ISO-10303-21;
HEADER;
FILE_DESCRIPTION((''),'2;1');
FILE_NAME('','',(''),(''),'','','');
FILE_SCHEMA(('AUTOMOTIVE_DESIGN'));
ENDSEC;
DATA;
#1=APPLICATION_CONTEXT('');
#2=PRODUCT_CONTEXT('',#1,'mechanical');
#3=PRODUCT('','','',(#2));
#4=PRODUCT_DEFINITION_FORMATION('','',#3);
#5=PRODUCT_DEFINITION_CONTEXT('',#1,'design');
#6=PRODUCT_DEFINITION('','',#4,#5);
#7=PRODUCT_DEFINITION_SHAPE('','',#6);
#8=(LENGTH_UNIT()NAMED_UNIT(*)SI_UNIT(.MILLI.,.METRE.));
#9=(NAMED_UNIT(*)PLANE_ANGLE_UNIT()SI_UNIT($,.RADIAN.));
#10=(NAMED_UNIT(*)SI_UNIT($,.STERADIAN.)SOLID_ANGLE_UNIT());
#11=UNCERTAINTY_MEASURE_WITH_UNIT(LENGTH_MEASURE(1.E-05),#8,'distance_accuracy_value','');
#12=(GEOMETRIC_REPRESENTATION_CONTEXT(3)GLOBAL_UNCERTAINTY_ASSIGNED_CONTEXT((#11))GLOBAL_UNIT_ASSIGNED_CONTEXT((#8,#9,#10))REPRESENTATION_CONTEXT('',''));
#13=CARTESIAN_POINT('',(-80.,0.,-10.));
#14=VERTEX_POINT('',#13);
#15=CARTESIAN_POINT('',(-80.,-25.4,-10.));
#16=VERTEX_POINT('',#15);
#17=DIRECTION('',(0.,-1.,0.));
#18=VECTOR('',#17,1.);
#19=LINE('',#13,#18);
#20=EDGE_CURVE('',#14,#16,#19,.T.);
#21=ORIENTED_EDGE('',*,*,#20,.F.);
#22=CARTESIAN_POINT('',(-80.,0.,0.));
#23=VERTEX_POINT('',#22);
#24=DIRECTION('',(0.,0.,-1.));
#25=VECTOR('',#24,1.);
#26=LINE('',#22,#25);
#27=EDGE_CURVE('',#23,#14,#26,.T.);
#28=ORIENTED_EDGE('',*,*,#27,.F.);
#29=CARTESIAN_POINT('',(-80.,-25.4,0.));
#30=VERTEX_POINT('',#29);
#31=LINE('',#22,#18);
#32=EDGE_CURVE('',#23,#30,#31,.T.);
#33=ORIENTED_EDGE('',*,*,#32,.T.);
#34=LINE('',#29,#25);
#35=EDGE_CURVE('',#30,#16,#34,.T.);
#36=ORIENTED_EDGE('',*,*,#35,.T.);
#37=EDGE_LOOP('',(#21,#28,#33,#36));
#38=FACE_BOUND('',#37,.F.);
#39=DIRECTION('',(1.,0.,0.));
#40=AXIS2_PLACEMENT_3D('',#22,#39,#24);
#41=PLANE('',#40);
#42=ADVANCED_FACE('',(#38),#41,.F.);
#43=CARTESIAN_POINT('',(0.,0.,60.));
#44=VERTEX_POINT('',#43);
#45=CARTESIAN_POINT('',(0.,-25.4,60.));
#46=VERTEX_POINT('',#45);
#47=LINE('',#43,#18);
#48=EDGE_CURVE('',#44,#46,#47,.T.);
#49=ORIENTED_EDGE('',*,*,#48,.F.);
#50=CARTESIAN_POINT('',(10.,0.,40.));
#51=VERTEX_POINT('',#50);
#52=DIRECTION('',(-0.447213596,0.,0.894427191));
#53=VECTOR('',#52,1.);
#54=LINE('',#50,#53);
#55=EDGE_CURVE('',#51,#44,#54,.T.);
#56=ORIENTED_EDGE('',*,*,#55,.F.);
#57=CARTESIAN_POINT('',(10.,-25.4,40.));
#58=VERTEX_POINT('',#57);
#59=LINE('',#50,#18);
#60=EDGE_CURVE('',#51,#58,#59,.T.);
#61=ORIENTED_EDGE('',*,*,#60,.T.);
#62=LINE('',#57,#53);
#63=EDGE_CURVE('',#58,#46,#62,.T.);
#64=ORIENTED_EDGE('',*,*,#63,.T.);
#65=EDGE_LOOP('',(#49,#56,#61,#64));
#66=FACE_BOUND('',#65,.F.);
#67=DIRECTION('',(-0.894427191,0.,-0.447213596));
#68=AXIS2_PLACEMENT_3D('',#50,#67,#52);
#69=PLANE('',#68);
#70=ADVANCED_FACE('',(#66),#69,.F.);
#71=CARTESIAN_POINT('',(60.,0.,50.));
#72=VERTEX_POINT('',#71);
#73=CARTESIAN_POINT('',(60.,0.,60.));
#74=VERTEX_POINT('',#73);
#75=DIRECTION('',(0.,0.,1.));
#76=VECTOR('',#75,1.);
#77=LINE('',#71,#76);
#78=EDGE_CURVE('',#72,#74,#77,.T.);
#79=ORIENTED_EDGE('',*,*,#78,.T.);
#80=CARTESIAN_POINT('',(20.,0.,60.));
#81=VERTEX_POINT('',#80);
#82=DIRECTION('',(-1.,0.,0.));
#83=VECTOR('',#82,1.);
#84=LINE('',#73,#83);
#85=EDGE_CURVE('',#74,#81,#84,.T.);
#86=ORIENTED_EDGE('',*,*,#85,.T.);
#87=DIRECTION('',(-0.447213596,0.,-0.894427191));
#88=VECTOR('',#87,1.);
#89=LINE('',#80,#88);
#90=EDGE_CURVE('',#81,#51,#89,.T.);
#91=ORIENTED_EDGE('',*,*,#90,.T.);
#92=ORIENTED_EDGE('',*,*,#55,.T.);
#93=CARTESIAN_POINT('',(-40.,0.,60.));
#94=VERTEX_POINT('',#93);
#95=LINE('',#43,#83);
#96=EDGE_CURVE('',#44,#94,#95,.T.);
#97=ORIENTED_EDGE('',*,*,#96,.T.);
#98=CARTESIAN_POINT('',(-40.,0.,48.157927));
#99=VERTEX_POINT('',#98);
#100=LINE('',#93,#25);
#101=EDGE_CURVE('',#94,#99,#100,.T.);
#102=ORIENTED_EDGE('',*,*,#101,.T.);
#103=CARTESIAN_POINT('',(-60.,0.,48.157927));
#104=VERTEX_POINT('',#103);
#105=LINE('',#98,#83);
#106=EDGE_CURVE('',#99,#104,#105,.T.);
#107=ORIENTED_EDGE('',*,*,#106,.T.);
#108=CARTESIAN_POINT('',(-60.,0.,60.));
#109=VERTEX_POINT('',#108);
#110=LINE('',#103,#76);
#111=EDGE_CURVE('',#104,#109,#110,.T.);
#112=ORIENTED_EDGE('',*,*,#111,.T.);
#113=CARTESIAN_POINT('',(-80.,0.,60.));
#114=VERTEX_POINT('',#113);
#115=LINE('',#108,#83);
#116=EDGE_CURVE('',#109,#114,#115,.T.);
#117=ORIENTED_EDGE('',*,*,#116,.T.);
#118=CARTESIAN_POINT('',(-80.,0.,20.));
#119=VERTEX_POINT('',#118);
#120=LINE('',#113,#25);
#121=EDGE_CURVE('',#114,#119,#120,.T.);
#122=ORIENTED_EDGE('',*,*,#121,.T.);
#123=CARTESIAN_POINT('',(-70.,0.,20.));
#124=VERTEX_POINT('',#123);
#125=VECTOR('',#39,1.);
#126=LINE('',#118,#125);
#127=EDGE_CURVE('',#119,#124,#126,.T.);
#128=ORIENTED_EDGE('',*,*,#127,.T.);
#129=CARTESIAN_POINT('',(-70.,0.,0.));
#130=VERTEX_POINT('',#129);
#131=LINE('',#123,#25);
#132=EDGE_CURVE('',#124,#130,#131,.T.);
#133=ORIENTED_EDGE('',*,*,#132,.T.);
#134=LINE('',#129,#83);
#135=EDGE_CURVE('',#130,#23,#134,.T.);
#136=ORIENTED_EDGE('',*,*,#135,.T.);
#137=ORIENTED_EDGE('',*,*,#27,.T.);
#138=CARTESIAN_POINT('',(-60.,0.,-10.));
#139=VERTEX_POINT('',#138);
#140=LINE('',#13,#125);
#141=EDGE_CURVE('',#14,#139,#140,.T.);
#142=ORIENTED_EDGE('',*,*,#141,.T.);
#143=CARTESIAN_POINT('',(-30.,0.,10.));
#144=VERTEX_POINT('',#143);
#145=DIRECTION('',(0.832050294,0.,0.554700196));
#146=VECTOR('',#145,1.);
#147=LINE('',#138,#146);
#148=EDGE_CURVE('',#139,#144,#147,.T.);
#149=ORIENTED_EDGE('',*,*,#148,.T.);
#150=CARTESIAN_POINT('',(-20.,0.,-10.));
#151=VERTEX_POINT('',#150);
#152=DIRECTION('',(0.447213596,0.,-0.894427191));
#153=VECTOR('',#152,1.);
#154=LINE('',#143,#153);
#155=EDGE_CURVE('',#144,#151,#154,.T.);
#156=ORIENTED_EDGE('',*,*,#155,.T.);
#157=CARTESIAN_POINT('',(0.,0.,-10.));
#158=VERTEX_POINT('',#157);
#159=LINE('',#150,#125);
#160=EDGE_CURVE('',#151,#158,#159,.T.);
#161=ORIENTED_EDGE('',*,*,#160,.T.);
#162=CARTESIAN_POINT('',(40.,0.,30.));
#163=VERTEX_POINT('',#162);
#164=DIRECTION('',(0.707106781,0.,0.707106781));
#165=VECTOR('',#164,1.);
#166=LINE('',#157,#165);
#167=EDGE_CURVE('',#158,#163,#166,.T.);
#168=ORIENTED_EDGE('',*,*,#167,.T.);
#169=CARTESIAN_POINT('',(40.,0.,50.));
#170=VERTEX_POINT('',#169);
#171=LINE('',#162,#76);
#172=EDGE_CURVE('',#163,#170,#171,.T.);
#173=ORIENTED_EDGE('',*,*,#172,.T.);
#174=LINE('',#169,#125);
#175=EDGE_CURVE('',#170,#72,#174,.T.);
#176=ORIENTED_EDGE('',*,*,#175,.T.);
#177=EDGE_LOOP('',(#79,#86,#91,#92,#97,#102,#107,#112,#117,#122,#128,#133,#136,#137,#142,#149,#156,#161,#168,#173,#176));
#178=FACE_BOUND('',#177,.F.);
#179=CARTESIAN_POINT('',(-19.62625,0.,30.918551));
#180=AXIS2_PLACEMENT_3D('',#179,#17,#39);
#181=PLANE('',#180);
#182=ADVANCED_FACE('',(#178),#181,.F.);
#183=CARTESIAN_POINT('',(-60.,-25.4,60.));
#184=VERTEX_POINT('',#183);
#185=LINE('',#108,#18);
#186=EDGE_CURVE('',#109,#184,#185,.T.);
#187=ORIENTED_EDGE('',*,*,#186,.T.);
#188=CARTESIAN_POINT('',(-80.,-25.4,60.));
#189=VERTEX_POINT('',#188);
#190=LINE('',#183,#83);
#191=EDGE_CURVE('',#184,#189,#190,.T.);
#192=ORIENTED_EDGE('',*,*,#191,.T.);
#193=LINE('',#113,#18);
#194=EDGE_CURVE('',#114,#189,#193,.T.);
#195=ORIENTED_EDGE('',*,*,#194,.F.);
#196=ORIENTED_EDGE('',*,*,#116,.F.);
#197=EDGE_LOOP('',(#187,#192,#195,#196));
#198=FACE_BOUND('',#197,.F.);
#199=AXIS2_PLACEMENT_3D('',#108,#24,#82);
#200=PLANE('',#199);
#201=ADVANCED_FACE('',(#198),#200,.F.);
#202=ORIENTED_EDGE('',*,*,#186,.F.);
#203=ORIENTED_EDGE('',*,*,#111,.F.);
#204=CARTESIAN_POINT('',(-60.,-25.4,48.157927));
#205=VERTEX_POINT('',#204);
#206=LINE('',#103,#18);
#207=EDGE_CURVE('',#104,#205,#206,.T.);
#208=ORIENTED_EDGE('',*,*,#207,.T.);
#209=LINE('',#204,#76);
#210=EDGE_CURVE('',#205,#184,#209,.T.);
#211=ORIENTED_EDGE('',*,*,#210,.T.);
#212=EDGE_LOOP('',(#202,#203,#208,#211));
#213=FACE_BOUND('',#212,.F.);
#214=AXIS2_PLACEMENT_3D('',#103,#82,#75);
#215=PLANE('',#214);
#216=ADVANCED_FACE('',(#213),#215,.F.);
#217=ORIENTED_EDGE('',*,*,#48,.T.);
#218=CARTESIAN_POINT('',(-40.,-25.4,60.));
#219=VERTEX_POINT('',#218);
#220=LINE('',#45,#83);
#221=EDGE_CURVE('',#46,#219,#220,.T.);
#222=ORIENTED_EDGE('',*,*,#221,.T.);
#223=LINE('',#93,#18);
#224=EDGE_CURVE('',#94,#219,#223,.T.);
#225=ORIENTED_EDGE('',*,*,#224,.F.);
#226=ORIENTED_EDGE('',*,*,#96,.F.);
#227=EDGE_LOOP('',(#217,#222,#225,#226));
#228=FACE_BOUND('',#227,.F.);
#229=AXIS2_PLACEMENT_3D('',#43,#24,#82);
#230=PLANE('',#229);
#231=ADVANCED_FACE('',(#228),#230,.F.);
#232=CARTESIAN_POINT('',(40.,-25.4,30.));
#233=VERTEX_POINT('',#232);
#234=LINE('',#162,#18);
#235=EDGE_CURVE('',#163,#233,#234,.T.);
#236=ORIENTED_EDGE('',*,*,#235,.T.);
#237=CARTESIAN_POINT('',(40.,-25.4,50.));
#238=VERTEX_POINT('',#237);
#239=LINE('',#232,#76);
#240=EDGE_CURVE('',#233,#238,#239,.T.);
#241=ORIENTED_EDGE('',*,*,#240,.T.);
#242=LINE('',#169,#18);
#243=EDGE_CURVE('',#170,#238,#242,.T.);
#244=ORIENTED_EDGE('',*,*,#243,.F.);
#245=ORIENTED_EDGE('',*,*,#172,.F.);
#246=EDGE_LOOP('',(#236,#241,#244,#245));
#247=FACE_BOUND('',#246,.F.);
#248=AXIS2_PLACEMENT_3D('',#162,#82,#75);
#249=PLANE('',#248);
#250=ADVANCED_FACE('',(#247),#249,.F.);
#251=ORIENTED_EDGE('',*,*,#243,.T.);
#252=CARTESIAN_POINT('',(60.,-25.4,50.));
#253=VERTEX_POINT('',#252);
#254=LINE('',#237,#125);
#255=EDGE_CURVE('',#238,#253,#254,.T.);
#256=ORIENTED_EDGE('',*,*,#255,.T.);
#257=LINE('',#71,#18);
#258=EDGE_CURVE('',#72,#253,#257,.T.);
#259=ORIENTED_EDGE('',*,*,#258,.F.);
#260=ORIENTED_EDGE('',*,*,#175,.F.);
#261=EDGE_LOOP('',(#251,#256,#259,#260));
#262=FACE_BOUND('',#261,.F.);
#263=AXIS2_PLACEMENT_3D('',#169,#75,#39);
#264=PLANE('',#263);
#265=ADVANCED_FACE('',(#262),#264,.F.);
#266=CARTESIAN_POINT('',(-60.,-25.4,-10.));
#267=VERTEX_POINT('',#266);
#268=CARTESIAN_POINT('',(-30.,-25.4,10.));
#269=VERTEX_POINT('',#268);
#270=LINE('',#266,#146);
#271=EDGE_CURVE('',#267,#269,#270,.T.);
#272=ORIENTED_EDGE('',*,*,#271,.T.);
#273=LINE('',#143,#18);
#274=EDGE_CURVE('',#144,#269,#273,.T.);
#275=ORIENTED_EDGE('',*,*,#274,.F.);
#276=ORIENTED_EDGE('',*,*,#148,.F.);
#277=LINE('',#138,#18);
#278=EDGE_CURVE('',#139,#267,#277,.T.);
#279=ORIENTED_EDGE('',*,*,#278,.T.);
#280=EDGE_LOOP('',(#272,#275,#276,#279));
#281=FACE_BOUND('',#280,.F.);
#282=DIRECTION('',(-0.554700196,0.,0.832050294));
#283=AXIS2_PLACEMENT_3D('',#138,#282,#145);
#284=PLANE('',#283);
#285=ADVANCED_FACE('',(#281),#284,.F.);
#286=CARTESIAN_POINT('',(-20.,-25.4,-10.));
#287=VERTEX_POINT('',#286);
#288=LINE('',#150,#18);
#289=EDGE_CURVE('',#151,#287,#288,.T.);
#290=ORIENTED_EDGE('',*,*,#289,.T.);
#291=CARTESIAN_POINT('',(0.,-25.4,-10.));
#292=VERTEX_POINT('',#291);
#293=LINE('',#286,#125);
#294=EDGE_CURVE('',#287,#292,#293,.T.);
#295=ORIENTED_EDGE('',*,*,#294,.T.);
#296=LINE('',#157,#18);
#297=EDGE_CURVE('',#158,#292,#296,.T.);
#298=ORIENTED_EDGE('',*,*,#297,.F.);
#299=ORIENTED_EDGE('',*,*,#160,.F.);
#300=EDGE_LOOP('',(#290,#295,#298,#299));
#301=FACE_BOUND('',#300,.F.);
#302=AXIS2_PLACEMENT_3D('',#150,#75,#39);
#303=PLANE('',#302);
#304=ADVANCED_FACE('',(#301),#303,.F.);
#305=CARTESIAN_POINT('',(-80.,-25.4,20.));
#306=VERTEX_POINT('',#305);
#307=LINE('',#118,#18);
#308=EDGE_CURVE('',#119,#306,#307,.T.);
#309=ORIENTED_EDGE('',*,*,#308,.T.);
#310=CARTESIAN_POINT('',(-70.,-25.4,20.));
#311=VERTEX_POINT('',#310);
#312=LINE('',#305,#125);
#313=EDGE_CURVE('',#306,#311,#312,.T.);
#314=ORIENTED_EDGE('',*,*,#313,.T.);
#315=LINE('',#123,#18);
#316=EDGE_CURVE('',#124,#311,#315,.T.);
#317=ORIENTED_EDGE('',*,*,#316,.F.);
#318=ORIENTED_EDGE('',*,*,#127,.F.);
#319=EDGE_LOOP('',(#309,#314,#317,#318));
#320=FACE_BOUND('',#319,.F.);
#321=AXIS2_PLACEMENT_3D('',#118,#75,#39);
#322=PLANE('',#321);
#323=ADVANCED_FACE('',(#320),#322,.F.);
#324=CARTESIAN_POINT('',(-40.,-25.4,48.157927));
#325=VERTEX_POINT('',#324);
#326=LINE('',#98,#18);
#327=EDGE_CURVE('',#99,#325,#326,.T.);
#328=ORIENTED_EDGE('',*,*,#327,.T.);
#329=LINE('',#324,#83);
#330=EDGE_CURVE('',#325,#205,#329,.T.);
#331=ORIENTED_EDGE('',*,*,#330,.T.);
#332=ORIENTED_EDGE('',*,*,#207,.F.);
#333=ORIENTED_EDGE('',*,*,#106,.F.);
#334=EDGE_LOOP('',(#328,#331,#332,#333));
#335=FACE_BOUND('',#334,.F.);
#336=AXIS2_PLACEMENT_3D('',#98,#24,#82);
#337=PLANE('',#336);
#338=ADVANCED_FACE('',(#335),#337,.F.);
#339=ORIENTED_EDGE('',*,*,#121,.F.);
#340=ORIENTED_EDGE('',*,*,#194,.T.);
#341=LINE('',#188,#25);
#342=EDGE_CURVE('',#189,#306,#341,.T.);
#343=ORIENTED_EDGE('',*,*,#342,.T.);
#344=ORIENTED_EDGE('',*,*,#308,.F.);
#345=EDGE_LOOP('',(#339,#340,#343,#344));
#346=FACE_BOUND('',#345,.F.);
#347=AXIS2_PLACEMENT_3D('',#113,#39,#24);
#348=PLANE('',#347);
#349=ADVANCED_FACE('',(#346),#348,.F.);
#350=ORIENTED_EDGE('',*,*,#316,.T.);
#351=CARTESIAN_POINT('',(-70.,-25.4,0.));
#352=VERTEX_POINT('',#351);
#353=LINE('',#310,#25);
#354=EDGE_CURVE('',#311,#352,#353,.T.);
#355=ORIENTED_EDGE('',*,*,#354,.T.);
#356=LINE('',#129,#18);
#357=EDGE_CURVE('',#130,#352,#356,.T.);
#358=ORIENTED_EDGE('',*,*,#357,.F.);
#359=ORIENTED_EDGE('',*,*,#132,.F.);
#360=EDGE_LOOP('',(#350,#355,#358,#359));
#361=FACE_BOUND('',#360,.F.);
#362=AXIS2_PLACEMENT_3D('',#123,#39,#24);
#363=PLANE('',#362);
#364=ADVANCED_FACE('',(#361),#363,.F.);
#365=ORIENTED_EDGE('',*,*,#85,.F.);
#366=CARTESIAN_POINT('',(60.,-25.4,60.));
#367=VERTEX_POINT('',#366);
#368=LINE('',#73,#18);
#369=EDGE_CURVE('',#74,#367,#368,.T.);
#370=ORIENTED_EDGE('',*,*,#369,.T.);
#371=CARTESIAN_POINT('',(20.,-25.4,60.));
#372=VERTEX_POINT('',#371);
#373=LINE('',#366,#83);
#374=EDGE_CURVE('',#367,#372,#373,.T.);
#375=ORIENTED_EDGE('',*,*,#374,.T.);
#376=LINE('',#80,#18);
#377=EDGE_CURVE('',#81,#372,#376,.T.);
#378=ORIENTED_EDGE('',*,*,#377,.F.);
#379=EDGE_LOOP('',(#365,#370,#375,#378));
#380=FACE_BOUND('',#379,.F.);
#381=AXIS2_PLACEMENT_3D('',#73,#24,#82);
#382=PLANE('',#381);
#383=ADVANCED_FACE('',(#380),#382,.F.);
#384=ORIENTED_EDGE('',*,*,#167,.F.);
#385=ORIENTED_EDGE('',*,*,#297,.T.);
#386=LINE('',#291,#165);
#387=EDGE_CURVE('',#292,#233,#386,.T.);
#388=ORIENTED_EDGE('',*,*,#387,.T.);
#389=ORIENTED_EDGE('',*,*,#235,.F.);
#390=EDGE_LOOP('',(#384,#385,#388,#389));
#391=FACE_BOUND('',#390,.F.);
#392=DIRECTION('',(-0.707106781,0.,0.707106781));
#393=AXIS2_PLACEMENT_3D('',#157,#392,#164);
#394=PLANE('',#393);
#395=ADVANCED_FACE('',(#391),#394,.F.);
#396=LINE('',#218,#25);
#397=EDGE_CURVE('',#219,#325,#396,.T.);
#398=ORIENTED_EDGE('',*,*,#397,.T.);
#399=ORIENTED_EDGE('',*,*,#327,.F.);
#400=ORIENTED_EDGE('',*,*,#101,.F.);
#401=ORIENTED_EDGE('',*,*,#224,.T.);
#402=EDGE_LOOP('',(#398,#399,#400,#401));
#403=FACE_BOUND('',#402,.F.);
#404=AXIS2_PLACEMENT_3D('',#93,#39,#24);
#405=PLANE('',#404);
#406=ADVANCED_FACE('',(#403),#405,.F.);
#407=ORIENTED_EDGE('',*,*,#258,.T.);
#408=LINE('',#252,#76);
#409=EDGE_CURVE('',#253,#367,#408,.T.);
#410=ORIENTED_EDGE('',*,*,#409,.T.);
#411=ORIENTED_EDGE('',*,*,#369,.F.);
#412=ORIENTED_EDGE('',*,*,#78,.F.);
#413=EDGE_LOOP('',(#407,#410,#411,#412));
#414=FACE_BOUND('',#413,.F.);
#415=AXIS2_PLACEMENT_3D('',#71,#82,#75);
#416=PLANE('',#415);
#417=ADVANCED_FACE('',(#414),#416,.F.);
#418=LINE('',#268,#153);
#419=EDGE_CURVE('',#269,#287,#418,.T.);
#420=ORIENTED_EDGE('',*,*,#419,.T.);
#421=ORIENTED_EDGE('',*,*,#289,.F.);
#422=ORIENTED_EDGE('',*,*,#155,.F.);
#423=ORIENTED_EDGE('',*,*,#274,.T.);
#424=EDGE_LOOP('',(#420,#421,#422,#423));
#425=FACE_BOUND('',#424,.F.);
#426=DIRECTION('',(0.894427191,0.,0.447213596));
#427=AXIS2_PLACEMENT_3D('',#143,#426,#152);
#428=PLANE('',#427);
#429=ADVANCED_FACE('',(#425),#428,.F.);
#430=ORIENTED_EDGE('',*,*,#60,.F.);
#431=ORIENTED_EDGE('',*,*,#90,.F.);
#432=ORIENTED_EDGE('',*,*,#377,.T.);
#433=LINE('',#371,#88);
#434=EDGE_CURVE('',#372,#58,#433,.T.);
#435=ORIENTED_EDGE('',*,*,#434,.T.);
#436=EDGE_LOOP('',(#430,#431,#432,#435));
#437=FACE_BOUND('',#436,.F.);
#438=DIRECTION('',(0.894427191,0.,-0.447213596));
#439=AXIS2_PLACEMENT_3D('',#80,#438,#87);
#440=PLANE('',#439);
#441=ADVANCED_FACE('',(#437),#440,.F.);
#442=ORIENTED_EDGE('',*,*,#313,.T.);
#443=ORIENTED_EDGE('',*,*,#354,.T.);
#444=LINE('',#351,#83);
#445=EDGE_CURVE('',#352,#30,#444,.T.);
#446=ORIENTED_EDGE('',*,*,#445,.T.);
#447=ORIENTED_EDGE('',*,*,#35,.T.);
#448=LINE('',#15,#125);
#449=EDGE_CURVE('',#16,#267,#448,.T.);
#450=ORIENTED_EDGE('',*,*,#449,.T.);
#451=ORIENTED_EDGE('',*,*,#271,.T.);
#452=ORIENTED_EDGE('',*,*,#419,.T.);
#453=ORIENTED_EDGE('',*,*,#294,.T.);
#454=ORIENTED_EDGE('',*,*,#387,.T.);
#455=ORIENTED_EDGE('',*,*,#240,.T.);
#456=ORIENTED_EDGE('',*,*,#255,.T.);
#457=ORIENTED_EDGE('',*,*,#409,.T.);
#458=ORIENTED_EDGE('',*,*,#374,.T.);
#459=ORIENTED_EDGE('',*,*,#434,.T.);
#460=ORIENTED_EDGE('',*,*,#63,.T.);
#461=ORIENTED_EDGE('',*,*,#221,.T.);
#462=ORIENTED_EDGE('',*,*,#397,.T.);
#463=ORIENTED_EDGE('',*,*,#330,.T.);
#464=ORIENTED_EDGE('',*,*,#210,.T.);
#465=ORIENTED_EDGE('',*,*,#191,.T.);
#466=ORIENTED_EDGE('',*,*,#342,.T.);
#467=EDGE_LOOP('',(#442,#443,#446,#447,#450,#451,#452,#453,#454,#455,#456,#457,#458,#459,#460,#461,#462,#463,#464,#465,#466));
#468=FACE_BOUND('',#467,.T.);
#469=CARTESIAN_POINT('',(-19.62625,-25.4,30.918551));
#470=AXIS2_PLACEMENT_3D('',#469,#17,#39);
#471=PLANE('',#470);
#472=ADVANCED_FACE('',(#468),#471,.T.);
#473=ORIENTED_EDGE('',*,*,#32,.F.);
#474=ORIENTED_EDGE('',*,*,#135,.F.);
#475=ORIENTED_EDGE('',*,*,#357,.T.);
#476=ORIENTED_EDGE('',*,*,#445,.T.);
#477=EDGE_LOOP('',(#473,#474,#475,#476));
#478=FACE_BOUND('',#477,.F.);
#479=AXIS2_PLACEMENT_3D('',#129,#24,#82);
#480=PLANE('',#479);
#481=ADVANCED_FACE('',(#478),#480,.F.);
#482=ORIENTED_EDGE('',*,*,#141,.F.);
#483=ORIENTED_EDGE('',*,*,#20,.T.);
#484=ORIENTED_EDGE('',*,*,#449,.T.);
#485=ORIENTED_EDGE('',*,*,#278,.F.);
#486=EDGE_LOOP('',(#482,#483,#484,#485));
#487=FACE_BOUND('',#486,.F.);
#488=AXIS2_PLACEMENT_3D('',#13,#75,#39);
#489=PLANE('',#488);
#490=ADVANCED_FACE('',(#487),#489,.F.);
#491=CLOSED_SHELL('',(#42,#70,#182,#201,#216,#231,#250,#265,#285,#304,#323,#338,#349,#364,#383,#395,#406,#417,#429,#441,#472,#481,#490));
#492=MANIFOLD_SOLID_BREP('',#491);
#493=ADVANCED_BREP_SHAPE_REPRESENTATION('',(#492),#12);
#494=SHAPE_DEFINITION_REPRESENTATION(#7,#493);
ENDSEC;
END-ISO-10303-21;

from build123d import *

# Parameters (mm, degrees)
F1_DEPTH = 25.4


with BuildPart() as f1:
    # F0 (on Front) → F1 (new body)
    with BuildSketch(Plane.XZ):
        Polygon((-60, 60), (-80, 60), (-80, 20), (-70, 20), (-70, 0), (-80, 0), (-80, -10), (-60, -10), (-30, 10), (-20, -10), (0, -10), (40, 30), (40, 50), (60, 50), (60, 60), (20, 60), (10, 40), (0, 60), (-40, 60), (-40, 48.157927), (-60, 48.157927), align=None)
    extrude(amount=F1_DEPTH)


solid = f1.part
